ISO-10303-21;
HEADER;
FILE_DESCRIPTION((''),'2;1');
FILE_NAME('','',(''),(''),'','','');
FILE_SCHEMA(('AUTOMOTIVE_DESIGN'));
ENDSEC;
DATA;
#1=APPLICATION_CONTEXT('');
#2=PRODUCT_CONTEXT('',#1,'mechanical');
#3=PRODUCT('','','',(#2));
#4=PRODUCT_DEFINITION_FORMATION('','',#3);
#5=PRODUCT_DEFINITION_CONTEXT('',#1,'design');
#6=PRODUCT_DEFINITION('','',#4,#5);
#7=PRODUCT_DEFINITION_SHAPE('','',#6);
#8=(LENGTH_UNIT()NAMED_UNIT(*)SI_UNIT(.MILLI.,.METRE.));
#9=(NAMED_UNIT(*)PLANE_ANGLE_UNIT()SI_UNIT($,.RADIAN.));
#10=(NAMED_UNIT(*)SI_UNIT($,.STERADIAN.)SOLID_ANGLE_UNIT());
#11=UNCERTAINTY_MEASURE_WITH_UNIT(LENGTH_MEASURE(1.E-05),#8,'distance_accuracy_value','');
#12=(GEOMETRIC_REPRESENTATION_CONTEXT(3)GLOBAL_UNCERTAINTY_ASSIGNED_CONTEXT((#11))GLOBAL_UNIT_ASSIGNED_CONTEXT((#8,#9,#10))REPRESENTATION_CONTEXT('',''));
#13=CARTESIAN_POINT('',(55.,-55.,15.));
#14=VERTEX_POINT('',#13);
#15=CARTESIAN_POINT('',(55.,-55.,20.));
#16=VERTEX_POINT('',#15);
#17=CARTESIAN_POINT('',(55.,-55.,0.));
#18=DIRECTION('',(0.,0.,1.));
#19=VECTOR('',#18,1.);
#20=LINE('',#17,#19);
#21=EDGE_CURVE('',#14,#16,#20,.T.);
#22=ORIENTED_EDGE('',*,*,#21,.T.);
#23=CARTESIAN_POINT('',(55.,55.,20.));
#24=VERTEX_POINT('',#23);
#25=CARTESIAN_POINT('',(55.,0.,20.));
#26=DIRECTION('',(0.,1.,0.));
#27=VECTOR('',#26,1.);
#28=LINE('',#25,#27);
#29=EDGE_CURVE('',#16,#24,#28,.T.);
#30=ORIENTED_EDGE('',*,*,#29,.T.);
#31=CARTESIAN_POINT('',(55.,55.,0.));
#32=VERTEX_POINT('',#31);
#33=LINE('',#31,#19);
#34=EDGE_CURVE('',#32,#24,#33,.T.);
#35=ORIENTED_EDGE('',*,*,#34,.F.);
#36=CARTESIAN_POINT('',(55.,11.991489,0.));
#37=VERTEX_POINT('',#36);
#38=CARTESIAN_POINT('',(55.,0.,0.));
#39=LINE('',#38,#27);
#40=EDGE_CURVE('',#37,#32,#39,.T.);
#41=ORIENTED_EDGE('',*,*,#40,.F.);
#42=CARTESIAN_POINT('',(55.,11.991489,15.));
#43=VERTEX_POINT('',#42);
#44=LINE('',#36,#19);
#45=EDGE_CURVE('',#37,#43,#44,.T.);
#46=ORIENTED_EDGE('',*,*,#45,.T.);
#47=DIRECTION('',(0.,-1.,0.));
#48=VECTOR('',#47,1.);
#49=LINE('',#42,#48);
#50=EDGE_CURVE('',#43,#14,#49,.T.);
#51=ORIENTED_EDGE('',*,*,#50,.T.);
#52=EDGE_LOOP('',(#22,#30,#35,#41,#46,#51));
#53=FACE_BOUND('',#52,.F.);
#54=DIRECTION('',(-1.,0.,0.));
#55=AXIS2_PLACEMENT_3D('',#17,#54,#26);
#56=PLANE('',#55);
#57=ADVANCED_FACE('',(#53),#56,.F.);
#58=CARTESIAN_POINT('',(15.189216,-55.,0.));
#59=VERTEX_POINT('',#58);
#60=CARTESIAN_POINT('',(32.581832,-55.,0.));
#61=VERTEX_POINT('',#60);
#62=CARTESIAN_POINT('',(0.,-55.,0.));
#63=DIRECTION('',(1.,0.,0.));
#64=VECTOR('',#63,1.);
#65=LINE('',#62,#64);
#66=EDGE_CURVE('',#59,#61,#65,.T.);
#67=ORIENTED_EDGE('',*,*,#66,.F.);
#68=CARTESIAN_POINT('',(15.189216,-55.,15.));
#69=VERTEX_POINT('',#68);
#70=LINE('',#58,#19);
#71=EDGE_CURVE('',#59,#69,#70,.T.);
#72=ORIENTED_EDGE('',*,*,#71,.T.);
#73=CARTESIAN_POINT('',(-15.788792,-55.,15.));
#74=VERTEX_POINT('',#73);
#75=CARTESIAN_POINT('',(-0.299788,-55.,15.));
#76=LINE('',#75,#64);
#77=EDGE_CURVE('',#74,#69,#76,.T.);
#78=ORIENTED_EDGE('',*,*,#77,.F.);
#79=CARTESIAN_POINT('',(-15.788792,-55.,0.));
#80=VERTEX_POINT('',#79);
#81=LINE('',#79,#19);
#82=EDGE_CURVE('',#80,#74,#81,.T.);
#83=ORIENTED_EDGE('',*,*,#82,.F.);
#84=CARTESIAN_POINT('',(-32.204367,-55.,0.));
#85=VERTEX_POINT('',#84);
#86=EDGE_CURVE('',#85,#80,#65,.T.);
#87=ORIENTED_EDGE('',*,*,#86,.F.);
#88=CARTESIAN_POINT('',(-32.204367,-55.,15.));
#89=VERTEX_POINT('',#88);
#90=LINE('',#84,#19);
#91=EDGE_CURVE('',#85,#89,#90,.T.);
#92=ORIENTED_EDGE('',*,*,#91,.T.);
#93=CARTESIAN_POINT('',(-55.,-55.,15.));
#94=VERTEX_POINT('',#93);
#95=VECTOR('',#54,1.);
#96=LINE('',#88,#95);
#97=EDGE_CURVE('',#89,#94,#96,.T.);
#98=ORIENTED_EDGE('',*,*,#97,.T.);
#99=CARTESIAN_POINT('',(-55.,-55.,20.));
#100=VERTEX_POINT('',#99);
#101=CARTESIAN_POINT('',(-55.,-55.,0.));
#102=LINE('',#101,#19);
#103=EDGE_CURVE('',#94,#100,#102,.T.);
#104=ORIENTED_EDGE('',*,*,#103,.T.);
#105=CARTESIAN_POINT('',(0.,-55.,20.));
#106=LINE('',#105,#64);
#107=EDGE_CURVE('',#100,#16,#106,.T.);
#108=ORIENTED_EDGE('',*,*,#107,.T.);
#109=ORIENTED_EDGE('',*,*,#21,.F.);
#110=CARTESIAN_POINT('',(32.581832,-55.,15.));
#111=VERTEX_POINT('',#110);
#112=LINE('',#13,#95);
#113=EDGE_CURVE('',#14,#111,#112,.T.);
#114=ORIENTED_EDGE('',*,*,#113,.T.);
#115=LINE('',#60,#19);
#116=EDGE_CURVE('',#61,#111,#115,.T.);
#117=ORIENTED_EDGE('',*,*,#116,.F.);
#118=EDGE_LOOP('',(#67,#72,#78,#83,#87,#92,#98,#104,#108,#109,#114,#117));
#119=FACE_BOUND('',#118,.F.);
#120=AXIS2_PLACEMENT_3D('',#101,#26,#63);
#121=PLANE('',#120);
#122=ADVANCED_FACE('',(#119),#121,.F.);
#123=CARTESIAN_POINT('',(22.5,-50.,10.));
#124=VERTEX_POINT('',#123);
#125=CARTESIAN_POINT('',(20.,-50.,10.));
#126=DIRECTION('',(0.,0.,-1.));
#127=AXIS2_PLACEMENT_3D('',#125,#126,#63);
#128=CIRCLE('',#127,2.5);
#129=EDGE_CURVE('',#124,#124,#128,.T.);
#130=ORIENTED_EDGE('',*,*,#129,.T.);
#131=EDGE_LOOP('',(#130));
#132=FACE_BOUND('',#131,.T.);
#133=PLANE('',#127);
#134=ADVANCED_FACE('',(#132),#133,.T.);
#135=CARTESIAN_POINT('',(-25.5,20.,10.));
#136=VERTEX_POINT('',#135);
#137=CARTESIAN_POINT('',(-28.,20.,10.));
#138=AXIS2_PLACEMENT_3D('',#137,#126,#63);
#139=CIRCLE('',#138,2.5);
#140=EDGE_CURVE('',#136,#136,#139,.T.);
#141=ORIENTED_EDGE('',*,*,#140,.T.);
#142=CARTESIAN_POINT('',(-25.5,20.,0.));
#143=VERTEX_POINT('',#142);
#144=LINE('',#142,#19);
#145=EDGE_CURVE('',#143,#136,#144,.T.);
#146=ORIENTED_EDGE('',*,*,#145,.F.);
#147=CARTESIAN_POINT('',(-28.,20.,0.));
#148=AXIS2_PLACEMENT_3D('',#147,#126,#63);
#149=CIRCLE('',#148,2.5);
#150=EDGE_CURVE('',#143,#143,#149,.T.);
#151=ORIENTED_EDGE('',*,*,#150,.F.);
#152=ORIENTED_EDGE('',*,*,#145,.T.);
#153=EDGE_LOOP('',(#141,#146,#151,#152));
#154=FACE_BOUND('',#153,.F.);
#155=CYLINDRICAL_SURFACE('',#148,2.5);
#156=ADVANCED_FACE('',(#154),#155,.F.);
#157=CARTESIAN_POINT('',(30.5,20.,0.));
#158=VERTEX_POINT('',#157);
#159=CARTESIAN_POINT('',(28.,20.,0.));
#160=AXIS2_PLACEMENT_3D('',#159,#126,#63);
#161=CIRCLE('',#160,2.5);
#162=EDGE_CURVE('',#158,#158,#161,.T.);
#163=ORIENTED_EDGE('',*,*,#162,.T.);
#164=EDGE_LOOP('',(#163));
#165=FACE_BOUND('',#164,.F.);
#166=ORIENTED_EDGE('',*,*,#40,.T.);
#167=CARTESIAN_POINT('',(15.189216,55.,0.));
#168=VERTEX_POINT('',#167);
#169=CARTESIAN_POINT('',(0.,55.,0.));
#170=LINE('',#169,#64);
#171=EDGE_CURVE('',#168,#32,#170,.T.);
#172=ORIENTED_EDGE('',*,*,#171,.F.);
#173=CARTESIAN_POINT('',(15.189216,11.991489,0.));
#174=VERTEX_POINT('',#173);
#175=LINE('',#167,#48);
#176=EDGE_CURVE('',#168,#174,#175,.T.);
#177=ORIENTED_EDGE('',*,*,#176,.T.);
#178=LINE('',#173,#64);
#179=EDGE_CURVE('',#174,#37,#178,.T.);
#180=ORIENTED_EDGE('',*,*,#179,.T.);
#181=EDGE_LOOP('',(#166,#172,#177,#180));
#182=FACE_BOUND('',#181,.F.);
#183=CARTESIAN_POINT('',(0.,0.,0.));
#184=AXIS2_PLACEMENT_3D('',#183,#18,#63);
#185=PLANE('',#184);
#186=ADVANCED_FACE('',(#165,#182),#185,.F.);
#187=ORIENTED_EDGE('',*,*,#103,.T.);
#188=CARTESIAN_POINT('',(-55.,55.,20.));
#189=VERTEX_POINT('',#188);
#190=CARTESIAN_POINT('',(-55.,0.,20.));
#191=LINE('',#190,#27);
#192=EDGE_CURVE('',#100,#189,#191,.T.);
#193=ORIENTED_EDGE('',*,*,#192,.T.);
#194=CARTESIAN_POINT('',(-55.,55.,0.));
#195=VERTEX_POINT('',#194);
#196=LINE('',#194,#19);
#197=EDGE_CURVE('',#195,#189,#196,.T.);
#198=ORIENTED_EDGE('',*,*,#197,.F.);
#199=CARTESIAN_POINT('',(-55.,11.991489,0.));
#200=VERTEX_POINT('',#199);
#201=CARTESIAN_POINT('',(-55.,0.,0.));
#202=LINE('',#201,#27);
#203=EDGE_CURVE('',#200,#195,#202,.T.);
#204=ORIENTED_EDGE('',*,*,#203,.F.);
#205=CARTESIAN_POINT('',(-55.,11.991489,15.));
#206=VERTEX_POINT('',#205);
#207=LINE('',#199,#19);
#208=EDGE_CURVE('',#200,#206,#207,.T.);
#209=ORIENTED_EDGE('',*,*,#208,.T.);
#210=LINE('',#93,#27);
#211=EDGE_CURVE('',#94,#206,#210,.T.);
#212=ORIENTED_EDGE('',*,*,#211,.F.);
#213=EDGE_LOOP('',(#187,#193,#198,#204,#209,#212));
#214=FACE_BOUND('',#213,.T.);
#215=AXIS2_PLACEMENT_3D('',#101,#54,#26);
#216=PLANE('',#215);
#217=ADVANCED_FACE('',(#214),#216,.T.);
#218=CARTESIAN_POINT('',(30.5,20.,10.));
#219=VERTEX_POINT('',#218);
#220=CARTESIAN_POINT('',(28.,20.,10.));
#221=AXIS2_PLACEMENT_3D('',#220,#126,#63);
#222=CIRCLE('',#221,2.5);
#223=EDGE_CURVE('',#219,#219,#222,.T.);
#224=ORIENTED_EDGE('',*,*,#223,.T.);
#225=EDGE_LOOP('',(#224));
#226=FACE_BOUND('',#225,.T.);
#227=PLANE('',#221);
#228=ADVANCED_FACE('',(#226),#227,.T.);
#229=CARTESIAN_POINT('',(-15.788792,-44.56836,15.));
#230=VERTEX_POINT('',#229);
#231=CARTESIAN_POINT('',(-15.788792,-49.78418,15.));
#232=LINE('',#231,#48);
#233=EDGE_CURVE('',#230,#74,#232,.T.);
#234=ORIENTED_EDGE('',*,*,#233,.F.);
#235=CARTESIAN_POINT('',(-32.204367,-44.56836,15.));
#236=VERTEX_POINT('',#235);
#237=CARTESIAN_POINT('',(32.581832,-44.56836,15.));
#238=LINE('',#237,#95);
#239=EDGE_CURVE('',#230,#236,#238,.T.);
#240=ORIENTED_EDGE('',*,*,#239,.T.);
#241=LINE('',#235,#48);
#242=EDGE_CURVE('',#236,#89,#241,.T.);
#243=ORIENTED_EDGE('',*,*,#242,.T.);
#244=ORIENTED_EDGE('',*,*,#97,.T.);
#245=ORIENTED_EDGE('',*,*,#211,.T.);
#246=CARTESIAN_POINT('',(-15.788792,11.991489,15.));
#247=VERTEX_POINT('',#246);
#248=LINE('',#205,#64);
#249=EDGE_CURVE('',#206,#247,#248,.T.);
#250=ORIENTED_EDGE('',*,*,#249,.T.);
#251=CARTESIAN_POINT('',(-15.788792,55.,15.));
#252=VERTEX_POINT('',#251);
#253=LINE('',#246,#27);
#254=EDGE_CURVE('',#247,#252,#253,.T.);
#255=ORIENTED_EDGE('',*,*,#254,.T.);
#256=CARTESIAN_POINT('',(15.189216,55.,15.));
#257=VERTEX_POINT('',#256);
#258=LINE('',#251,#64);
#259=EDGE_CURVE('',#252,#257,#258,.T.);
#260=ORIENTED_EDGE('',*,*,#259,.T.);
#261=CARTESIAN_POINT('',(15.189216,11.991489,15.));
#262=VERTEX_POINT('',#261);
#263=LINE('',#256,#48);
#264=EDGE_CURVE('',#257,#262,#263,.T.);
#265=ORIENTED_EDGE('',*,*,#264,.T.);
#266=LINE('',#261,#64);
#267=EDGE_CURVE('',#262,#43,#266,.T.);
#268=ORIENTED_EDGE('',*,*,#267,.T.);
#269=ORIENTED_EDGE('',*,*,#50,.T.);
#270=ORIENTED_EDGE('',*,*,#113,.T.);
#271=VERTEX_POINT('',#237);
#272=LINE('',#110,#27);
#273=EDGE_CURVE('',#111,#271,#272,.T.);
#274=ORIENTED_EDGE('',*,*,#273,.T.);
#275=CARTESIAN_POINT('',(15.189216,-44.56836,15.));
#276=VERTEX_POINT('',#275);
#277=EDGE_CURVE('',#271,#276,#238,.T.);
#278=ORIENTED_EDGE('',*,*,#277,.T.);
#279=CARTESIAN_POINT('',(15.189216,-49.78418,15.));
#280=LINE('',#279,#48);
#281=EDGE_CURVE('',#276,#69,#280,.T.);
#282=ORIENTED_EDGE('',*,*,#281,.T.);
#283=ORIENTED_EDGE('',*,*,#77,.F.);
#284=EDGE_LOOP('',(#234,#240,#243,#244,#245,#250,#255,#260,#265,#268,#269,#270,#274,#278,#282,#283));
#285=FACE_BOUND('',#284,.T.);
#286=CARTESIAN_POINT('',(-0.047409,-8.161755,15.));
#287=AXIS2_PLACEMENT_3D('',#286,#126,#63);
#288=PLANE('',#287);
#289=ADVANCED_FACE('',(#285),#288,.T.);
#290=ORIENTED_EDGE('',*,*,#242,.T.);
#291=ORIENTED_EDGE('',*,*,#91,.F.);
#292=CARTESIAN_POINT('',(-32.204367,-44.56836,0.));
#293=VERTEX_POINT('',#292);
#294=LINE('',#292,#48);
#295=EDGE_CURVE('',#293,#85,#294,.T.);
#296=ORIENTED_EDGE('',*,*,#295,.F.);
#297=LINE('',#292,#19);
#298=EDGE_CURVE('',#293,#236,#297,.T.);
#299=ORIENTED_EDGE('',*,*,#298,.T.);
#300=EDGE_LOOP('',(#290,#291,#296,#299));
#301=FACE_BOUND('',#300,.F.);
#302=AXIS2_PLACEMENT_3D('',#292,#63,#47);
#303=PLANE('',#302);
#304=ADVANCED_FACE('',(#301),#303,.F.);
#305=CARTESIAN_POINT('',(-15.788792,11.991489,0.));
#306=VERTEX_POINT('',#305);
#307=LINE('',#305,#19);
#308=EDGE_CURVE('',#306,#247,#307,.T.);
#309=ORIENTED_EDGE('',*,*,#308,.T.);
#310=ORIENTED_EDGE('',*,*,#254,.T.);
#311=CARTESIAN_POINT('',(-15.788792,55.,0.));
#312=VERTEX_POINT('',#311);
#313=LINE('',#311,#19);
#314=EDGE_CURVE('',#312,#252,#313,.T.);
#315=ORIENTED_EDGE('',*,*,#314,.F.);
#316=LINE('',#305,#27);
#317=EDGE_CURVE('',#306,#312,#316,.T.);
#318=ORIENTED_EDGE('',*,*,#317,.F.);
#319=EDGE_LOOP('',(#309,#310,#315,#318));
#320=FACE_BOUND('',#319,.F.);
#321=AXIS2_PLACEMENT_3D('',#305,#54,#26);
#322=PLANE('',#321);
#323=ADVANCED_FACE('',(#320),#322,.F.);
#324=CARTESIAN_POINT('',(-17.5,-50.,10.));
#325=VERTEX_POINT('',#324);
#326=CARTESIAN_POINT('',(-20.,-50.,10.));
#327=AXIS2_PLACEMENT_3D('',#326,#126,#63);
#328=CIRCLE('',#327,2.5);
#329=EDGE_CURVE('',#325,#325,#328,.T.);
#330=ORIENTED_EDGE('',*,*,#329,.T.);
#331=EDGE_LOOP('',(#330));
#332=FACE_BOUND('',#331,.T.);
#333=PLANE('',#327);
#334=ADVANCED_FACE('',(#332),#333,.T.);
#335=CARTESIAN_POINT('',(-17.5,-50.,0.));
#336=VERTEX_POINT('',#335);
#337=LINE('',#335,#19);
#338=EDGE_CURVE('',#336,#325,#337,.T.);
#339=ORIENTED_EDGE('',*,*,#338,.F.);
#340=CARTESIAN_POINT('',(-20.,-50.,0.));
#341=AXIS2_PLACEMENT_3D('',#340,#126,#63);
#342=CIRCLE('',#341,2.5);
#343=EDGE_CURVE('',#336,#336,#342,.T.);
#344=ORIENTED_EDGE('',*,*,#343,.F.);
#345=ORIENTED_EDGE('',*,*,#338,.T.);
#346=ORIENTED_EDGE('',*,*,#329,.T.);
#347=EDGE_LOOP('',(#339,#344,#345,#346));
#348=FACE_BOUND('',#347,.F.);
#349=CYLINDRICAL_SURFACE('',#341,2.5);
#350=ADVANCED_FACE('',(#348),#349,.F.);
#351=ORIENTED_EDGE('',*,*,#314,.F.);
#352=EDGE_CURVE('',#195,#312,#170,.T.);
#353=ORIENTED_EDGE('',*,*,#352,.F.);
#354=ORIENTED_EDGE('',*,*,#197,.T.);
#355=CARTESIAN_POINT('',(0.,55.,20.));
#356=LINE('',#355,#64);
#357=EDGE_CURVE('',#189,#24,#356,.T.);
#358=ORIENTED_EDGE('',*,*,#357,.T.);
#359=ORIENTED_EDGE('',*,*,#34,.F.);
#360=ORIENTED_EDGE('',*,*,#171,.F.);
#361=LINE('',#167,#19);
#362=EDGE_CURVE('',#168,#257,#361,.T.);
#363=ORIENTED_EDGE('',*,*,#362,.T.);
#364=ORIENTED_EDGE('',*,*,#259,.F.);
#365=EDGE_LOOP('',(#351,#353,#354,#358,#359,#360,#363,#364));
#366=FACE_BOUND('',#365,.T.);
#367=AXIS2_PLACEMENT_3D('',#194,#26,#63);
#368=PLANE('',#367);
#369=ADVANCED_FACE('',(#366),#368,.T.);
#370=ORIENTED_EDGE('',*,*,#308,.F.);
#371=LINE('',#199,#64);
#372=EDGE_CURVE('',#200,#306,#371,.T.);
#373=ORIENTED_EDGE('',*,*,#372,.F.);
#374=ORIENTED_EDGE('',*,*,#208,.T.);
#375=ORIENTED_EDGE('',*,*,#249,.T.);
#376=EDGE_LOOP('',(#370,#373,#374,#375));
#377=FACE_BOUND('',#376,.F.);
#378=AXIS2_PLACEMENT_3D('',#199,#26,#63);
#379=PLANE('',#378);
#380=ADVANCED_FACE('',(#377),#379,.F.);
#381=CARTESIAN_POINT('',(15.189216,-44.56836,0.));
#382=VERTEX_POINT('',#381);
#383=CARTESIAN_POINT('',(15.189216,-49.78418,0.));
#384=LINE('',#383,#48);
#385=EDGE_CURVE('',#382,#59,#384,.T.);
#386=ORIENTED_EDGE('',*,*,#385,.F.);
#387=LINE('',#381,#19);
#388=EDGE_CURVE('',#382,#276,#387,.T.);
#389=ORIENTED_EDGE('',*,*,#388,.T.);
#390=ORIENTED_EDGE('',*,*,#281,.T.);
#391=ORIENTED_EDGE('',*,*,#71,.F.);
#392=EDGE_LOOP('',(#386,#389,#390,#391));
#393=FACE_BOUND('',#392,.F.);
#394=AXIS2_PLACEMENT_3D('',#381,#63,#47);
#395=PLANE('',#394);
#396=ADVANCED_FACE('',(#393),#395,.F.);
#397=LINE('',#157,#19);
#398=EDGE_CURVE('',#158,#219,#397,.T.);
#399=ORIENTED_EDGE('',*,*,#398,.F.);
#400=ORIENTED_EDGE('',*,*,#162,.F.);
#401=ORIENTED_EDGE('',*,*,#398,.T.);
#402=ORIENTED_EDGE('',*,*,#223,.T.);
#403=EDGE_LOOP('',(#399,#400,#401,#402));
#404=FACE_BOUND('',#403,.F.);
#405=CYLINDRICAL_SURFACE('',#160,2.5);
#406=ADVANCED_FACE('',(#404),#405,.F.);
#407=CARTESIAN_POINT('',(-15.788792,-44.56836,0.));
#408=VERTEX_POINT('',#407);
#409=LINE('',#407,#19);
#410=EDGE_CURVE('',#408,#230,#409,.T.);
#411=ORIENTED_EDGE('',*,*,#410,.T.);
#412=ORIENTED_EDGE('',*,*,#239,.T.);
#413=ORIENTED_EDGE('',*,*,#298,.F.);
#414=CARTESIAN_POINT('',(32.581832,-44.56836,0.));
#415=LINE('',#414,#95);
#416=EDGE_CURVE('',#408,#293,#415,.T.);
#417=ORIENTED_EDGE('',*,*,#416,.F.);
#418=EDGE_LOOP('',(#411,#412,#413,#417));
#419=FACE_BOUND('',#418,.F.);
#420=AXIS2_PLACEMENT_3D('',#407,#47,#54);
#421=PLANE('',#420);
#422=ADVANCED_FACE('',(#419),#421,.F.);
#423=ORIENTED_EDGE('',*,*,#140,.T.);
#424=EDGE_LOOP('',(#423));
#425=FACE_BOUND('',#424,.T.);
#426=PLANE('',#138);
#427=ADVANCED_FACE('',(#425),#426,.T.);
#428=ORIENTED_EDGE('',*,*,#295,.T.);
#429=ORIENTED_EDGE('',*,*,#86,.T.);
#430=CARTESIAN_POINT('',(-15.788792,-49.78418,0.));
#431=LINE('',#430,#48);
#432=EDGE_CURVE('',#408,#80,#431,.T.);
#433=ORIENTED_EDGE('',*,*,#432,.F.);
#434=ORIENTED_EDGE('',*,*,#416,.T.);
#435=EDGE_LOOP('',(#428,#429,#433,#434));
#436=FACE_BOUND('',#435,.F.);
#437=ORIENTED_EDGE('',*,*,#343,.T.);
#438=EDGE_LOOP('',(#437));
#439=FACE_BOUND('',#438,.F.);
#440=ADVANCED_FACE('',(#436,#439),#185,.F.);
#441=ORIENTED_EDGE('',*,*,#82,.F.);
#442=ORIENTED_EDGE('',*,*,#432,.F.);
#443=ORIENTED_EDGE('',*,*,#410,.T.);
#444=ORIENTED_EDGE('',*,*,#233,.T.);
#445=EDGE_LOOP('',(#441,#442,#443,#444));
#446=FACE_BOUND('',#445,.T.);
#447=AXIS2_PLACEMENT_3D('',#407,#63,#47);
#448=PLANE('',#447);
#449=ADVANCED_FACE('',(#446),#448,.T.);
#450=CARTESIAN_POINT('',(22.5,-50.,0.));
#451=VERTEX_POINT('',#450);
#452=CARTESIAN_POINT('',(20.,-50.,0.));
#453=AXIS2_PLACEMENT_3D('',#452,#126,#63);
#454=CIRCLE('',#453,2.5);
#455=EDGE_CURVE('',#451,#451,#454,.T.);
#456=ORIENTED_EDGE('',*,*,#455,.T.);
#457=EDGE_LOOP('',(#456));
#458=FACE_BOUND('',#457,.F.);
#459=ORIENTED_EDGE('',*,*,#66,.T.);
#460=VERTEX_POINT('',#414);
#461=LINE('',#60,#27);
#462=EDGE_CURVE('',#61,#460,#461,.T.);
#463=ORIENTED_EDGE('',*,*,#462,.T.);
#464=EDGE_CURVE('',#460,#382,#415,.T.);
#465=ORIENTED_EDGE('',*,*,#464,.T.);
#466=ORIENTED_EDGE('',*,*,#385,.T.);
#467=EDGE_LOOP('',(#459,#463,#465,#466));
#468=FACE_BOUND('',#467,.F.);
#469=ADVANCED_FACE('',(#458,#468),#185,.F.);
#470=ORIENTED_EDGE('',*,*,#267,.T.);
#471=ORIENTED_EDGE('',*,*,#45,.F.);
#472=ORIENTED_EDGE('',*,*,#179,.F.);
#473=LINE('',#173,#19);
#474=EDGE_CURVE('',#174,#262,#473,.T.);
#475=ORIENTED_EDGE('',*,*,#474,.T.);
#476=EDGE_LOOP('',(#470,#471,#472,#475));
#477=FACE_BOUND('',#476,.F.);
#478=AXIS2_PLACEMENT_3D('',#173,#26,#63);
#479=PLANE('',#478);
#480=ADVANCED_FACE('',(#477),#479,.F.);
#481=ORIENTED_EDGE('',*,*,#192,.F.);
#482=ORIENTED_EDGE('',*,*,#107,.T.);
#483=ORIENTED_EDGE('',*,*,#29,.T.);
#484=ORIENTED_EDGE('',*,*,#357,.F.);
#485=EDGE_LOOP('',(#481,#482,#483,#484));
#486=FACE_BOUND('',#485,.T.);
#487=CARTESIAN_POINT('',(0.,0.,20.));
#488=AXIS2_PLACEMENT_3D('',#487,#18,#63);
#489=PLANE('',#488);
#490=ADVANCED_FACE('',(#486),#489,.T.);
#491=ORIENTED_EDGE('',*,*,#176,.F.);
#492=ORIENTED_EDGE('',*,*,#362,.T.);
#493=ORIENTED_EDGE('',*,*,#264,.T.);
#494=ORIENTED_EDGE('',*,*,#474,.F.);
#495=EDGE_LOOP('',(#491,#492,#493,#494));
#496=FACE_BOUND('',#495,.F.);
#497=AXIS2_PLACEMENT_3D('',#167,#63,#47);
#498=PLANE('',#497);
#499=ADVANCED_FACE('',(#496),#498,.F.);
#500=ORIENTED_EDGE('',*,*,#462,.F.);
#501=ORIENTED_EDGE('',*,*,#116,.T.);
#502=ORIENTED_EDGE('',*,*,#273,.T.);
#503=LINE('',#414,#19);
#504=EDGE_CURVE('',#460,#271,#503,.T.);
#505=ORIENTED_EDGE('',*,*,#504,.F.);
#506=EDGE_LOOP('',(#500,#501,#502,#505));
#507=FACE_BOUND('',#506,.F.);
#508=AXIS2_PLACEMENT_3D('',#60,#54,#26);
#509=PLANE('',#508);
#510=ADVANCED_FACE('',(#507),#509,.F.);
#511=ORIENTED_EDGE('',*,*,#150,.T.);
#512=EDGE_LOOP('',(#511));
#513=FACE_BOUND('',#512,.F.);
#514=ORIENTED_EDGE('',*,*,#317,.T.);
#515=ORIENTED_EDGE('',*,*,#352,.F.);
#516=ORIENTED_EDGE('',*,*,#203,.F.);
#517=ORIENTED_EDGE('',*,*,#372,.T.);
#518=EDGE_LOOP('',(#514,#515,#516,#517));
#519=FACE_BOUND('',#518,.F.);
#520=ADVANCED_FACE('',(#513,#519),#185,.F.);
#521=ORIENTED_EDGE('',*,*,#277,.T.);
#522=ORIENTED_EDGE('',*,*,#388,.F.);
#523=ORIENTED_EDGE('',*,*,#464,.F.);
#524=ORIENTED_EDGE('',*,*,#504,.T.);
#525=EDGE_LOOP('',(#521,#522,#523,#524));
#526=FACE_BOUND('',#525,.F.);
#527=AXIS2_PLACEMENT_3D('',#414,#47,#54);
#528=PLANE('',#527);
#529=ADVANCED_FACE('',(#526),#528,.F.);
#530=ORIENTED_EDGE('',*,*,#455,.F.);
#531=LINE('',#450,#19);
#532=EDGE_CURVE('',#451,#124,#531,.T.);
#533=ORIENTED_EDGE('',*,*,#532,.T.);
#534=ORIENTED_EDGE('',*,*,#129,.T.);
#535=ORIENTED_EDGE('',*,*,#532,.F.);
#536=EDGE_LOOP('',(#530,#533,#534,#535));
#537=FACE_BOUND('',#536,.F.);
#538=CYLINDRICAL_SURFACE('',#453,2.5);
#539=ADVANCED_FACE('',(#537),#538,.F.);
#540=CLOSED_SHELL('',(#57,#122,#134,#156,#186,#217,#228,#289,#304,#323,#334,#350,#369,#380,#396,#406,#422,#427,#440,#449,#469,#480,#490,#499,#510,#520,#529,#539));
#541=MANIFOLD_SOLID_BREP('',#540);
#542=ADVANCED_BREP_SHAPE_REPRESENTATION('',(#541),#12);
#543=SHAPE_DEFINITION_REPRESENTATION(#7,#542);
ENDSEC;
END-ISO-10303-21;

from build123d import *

# Parameters (mm, degrees)
F0_W     = 110
F0_H     = 110
F1_DEPTH = 20
F2_R     = 2.5
F3_DEPTH = 10
F4_W     = 30.978008
F4_H     = 10.43164
F5_DEPTH = 15


with BuildPart() as f1:
    # F0 (on Top) → F1 (new body)
    with BuildSketch(Plane.XY):
        Rectangle(F0_W, F0_H)
    extrude(amount=F1_DEPTH)

    # F2 (on face) → F3 (cut)
    with BuildSketch(Plane(origin=(0, 0, 0), x_dir=(1, 0, 0), z_dir=(0, 0, -1))):
        with Locations((20, 50)):
            Circle(F2_R)
        with Locations((-20, 50)):
            Circle(F2_R)
        with Locations((28, -20)):
            Circle(F2_R)
        with Locations((-28, -20)):
            Circle(F2_R)
    extrude(amount=-F3_DEPTH, mode=Mode.SUBTRACT)

    # F4 (on face) → F5 (cut)
    with BuildSketch(Plane(origin=(0, 0, 0), x_dir=(1, 0, 0), z_dir=(0, 0, -1))):
        Polygon((15.189216, -11.991489), (55, -11.991489), (55, 44.56836), (55, 55), (32.581832, 55), (32.581832, 44.56836), (15.189216, 44.56836), (-15.788792, 44.56836), (-32.204367, 44.56836), (-32.204367, 55), (-55, 55), (-55, 44.56836), (-55, -11.991489), (-15.788792, -11.991489), (-15.788792, -55), (15.189216, -55), align=None)
        with Locations((-0.299788, 49.78418)):
            Rectangle(F4_W, F4_H)
    extrude(amount=-F5_DEPTH, mode=Mode.SUBTRACT)


solid = f1.part
